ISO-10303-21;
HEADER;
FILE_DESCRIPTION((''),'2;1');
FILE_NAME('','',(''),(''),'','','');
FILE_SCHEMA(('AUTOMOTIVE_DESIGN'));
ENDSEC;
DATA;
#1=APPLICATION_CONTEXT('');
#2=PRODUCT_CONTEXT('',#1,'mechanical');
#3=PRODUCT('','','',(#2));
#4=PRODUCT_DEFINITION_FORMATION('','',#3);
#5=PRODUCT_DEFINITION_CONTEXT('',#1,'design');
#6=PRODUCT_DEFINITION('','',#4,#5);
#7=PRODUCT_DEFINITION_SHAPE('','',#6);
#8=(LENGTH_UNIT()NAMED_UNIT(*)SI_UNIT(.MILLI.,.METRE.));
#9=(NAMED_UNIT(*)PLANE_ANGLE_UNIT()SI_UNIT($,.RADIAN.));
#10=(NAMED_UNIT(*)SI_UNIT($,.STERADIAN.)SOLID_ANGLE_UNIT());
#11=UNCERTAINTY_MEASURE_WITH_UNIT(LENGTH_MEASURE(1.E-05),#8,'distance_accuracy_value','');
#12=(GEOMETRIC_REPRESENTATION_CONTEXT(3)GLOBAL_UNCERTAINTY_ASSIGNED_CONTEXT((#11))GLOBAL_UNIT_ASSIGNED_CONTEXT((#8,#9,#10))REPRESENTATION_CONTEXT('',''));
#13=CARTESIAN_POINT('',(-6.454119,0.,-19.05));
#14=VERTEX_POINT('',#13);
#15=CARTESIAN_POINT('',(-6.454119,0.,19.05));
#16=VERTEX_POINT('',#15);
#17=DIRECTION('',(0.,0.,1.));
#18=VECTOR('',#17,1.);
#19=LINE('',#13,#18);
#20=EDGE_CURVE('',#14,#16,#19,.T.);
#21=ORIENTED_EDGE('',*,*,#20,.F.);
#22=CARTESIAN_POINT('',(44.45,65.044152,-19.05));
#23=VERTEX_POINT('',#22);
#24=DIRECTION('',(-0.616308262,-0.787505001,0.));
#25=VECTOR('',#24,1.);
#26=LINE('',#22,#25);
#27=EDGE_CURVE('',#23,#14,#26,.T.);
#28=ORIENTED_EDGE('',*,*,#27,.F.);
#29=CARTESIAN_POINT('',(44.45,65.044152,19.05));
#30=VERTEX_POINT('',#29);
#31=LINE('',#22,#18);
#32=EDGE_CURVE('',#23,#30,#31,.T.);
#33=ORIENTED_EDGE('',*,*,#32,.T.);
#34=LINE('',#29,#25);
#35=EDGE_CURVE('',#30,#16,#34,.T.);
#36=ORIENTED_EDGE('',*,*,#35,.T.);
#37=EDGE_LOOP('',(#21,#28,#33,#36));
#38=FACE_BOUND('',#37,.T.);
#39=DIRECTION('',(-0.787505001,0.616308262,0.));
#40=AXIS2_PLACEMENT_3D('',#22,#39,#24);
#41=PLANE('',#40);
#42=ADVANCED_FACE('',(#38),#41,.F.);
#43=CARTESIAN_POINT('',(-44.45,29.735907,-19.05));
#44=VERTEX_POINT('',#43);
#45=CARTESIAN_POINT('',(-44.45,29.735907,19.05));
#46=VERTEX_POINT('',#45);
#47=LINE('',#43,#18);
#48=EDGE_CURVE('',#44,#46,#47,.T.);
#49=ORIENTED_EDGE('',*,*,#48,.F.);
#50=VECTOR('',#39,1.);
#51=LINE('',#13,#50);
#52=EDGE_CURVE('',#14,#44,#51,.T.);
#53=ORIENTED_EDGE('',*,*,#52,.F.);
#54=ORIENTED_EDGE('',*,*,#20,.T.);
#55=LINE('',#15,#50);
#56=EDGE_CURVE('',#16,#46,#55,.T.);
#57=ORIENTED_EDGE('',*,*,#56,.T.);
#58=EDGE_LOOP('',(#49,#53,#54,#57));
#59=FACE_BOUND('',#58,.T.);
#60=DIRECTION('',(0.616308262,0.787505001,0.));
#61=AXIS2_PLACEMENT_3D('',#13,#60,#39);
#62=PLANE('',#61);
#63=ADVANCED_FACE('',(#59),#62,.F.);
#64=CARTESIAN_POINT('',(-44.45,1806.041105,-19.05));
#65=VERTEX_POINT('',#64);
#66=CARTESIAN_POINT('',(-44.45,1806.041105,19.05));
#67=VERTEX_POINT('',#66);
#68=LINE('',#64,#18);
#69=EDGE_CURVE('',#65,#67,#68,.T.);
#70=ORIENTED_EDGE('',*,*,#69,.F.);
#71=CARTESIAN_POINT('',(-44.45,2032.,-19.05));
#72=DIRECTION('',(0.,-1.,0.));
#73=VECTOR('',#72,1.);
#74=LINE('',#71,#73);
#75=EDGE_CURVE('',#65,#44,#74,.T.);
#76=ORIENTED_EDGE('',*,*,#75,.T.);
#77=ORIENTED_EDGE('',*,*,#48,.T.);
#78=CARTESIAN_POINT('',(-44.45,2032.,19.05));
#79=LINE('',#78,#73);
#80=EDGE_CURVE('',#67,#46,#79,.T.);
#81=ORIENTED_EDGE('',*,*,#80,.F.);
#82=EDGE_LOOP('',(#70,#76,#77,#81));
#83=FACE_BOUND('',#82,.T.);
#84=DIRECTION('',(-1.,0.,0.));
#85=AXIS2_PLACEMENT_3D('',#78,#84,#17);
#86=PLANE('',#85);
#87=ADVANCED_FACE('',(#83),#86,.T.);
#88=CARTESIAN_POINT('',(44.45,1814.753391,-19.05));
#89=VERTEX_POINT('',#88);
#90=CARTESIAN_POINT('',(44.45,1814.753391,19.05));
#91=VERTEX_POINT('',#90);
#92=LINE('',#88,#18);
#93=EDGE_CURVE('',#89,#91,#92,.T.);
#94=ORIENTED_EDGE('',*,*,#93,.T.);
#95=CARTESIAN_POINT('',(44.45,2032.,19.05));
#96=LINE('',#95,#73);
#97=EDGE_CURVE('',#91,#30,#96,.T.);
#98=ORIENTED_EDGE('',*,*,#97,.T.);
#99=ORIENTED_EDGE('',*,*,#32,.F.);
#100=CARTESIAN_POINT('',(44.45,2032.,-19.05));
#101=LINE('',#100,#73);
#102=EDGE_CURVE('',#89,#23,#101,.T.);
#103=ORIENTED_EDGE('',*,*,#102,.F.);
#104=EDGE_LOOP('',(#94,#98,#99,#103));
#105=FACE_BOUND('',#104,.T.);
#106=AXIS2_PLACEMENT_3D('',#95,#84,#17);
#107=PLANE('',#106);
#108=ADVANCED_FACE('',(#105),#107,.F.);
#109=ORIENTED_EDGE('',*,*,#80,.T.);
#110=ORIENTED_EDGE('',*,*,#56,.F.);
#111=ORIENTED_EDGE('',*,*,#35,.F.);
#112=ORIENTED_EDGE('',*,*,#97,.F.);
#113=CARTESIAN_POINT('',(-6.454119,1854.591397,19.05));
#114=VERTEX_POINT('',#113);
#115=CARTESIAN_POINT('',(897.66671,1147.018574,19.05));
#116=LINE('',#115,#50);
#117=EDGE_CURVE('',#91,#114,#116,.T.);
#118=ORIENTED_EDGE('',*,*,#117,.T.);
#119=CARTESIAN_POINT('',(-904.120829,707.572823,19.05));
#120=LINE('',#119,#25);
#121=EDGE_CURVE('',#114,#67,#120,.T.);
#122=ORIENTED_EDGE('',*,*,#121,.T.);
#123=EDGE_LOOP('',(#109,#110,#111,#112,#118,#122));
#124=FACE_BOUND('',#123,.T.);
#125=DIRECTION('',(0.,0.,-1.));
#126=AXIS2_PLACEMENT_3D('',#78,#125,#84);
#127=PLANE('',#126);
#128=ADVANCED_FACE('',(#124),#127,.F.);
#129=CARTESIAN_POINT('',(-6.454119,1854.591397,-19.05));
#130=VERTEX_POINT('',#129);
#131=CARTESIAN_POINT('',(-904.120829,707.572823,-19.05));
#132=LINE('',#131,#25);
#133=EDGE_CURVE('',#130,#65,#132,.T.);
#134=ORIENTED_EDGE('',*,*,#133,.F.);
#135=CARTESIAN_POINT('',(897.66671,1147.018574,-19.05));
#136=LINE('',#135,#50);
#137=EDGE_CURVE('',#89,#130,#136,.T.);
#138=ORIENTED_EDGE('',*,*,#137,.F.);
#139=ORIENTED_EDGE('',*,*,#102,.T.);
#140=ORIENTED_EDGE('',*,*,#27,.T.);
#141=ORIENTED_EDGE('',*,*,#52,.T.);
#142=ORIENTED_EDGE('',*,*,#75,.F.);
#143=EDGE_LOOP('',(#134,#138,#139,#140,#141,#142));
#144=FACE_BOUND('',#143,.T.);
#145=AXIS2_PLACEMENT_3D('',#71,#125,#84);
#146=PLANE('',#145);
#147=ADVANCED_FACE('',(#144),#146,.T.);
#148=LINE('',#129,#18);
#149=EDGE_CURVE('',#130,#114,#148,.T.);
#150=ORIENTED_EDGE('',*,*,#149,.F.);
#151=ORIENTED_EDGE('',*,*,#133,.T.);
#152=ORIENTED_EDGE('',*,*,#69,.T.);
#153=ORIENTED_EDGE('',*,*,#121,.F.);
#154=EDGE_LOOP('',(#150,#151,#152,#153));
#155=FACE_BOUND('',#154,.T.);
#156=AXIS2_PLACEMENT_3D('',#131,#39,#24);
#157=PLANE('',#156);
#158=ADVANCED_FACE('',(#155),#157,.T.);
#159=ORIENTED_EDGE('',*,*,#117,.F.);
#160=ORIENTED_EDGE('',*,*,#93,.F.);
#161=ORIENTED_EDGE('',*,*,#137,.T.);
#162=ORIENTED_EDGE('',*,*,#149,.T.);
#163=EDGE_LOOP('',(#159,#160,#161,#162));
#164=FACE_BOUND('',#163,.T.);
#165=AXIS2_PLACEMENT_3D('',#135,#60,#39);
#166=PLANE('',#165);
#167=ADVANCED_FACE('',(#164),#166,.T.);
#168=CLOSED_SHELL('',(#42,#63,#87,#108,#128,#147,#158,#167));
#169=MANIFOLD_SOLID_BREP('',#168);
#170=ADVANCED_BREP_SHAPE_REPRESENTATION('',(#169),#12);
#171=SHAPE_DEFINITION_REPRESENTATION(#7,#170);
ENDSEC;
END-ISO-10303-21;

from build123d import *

# Parameters (mm, degrees)
SKETCH1_W           = 88.9
SKETCH1_H           = 38.1
BOSS_EXTRUDE1_DEPTH = 2032
CUT_EXTRUDE2_DEPTH  = 39.1
CUT_EXTRUDE3_DEPTH  = 39.1


with BuildPart() as part:
    # Sketch1 → Boss-Extrude1 (new body)
    with BuildSketch(Plane(origin=(0, 0, 0), x_dir=(1, 0, 0), z_dir=(0, 1, 0))):
        Rectangle(SKETCH1_W, SKETCH1_H)
    extrude(amount=BOSS_EXTRUDE1_DEPTH)

    # Sketch2 → Cut-Extrude2 (cut, through all)
    with BuildSketch(Plane.XY.offset(19.05)):
        Polygon((-44.45, 1806.041104583), (-6.454118941, 1854.591397047), (44.45, 1814.753390919), (44.45, 2032), (-44.45, 2032), align=None)
    extrude(amount=-CUT_EXTRUDE2_DEPTH, mode=Mode.SUBTRACT)

    # Sketch3 → Cut-Extrude3 (cut, through all)
    with BuildSketch(Plane.XY.offset(19.05)):
        Polygon((44.45, 65.04415198), (-6.454118941, 0), (-44.45, 29.735906916), (-64.239470553, 4.449361209), (31.244243748, -54.430099769), (82.106502152, 35.573845948), align=None)
    extrude(amount=-CUT_EXTRUDE3_DEPTH, mode=Mode.SUBTRACT)


solid = part.part
